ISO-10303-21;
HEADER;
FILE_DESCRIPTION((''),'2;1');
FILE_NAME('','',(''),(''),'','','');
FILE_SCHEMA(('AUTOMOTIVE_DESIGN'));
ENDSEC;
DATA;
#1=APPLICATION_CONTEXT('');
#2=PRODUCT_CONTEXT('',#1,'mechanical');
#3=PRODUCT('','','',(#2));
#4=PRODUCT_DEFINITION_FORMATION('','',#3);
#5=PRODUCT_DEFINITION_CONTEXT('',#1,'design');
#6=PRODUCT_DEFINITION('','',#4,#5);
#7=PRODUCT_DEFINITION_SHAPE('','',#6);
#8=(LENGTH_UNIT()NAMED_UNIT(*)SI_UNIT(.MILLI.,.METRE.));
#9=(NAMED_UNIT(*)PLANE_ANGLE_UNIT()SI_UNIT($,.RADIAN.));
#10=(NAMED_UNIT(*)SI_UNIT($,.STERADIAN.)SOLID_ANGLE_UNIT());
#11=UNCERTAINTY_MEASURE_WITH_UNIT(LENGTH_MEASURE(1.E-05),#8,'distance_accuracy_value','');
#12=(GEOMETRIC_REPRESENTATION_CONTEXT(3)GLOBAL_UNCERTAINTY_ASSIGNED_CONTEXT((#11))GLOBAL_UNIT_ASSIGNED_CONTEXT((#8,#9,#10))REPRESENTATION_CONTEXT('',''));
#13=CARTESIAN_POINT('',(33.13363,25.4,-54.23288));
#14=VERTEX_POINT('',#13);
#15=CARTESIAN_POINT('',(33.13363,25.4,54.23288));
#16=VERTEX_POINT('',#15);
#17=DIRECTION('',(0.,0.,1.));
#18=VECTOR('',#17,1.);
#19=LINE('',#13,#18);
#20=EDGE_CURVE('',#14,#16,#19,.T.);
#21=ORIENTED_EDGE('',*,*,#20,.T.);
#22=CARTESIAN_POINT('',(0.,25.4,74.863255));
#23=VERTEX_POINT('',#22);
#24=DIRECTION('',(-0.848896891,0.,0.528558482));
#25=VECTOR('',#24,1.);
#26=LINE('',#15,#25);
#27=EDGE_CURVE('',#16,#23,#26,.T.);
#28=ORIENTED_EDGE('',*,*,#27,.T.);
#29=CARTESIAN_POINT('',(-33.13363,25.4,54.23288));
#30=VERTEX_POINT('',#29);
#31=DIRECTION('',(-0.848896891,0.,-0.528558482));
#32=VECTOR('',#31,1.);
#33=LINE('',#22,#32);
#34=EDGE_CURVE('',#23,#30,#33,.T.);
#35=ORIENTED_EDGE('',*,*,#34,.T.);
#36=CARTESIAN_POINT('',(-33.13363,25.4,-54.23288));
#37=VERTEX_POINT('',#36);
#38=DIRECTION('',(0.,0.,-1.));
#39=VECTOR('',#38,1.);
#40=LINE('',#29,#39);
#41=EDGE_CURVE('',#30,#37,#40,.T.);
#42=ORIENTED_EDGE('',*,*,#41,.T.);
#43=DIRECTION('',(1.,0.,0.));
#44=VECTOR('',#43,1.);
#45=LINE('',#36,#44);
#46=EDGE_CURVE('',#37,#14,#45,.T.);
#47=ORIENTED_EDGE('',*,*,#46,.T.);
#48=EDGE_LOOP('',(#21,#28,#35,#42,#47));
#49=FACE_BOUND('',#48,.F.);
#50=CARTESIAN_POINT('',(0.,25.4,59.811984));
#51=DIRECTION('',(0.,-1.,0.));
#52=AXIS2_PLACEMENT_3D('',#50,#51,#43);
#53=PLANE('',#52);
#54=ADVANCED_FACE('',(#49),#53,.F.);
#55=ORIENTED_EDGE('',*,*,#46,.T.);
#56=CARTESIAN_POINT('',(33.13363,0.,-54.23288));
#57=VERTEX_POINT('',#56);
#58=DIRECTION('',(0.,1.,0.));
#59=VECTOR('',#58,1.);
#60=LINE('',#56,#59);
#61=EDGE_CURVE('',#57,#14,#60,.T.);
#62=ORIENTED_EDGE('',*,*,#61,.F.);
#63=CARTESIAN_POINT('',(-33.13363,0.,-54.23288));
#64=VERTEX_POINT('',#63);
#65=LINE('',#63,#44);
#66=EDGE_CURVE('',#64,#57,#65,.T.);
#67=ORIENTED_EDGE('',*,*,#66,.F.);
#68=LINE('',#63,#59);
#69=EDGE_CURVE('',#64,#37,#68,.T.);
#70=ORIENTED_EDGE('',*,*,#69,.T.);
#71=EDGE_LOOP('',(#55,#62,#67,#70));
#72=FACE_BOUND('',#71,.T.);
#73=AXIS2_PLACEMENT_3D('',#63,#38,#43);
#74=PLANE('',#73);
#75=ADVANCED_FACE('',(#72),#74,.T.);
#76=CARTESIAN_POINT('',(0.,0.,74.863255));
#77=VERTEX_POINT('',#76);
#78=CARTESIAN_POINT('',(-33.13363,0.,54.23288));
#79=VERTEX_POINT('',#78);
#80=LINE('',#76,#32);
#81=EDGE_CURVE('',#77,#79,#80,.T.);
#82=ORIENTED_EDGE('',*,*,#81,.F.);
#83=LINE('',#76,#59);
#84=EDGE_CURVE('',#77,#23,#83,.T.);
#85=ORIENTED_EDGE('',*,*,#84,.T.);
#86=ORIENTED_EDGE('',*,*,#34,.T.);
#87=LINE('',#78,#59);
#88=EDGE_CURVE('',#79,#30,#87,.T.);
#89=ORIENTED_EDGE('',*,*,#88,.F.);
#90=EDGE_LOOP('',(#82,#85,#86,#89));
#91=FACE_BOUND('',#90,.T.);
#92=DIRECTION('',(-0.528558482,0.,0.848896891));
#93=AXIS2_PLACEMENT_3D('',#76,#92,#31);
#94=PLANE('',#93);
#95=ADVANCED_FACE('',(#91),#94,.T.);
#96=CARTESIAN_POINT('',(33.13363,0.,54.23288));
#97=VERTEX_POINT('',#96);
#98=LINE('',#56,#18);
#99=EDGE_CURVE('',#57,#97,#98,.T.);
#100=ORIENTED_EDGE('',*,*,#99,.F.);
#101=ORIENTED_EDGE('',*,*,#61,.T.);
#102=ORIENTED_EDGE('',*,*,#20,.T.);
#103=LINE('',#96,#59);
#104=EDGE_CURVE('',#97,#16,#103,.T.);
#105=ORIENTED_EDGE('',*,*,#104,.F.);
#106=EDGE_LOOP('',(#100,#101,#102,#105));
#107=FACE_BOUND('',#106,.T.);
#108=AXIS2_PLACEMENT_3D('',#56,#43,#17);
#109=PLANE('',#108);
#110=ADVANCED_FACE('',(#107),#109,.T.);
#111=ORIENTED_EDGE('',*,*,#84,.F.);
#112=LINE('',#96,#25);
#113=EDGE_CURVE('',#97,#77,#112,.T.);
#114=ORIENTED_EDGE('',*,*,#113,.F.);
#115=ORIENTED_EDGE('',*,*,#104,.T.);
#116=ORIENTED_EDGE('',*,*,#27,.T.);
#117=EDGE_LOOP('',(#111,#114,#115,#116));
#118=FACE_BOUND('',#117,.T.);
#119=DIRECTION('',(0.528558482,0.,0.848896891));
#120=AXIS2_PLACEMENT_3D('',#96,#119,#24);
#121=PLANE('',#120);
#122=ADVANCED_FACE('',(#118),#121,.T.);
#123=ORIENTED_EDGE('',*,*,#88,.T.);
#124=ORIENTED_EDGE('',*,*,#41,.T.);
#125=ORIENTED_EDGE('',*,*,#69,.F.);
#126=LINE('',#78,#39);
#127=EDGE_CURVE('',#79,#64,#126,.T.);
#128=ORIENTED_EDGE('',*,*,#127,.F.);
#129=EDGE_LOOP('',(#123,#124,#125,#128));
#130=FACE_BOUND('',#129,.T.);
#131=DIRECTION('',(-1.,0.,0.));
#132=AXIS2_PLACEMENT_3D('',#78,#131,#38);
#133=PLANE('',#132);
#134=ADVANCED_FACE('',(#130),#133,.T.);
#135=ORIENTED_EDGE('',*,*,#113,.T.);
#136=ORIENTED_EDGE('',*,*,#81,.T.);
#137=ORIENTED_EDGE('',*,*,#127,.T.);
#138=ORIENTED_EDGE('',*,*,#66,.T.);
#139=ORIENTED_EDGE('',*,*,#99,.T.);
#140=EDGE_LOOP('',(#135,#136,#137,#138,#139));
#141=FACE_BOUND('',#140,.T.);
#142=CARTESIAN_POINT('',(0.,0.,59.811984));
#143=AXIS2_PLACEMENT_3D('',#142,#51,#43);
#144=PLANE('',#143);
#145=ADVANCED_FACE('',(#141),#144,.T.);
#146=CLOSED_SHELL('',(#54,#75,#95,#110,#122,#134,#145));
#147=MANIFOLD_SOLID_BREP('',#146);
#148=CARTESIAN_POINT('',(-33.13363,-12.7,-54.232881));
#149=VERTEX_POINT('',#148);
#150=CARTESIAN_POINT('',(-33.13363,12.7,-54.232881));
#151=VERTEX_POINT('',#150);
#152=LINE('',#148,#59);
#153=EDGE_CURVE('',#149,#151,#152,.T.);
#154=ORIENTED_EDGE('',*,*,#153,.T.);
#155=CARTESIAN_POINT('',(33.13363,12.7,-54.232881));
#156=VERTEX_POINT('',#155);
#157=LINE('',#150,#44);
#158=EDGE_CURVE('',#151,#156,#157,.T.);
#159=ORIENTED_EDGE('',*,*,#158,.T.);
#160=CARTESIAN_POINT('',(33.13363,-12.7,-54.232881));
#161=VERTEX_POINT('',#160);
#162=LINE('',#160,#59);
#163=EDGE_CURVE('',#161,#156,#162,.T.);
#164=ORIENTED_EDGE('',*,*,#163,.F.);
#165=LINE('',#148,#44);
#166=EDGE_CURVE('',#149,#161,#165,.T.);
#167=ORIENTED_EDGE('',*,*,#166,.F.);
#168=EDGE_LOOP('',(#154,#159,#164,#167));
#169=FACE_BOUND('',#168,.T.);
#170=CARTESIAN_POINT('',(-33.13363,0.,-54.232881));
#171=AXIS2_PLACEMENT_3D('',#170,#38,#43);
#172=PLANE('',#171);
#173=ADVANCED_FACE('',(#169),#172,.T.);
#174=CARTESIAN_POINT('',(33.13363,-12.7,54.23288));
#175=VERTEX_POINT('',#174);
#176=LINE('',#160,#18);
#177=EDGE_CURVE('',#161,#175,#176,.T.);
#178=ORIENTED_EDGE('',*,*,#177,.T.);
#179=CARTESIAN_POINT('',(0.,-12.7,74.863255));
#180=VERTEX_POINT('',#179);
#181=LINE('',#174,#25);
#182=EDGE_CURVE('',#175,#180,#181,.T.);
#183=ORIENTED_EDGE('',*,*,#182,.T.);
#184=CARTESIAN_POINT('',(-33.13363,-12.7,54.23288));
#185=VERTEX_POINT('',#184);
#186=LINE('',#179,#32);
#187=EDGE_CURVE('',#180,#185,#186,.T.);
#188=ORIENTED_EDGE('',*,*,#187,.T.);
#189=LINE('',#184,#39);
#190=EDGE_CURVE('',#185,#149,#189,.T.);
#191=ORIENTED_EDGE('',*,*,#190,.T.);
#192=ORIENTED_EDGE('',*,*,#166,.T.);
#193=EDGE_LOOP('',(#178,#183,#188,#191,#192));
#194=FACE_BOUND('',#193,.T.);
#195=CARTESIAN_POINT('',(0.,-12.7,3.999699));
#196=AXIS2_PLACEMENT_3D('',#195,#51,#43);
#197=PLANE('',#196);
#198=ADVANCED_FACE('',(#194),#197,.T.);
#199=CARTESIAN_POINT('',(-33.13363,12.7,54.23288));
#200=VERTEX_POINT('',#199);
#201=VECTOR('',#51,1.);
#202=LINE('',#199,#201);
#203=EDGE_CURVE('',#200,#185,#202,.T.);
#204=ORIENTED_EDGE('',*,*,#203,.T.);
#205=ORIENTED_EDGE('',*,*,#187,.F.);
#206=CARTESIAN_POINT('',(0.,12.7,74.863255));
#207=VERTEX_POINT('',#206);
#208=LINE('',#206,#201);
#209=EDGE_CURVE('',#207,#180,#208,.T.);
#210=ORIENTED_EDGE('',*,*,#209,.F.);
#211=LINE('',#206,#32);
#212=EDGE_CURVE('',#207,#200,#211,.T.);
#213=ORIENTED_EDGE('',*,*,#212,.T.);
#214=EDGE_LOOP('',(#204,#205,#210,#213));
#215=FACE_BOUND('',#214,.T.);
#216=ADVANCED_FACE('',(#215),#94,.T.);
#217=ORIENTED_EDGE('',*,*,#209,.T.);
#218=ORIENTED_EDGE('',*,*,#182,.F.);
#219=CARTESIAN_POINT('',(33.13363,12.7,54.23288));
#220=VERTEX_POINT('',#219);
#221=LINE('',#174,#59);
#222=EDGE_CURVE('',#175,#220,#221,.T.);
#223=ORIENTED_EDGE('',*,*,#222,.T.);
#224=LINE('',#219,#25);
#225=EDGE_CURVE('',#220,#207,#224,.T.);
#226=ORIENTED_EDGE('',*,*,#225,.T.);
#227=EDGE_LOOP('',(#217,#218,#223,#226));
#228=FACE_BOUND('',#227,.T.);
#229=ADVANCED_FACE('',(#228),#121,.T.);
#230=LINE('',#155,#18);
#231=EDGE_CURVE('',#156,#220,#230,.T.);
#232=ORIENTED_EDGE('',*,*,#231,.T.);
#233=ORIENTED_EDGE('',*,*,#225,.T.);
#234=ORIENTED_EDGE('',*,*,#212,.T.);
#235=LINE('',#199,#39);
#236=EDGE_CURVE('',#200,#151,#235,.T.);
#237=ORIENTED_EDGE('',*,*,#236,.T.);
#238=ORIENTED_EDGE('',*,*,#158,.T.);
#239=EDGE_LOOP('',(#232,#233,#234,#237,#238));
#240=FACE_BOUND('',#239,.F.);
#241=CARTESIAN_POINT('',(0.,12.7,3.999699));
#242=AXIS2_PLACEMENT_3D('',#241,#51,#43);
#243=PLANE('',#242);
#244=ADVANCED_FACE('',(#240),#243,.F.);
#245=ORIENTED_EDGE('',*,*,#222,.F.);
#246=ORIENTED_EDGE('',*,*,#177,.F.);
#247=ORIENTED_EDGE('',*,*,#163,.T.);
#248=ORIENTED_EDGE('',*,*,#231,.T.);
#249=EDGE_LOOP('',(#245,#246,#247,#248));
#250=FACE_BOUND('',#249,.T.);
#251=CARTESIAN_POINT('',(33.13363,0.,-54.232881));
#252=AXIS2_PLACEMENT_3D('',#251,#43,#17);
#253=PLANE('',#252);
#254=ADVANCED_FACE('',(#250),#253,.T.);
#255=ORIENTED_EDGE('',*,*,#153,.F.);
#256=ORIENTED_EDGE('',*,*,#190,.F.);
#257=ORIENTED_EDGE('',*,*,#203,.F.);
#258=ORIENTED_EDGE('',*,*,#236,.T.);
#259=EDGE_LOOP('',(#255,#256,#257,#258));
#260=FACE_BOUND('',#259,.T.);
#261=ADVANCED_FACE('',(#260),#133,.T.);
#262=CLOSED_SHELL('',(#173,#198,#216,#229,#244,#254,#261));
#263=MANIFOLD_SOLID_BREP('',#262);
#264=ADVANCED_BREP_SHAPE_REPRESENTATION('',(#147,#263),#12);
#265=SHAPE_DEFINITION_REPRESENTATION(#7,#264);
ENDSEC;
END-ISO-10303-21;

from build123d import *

# Parameters (mm, degrees)
F1_DEPTH = 25.4
F2_DEPTH = 12.7


with BuildPart() as f1:
    # F0 (on Front) → F1 (new body)
    with BuildSketch(Plane.XZ):
        Polygon((0, 54.23288), (33.13363, 54.23288), (0, 74.863255), (-33.13363, 54.23288), align=None)
        Polygon((-33.13363, -54.23288), (33.13363, -54.23288), (33.13363, 54.23288), (0, 54.23288), (-33.13363, 54.23288), align=None)
    extrude(amount=-F1_DEPTH)


with BuildPart() as f2:
    # F1_face (on face) → F2 (new body, symmetric)
    with BuildSketch(Plane(origin=(0, 0, 5.306892), x_dir=(1, 0, 0), z_dir=(0, -1, 0))):
        Polygon((33.13363, 48.925988), (0, 69.556363), (-33.13363, 48.925988), (-33.13363, -59.539773), (33.13363, -59.539773), align=None)
    extrude(amount=F2_DEPTH, both=True)


solid = Compound([f1.part, f2.part])
